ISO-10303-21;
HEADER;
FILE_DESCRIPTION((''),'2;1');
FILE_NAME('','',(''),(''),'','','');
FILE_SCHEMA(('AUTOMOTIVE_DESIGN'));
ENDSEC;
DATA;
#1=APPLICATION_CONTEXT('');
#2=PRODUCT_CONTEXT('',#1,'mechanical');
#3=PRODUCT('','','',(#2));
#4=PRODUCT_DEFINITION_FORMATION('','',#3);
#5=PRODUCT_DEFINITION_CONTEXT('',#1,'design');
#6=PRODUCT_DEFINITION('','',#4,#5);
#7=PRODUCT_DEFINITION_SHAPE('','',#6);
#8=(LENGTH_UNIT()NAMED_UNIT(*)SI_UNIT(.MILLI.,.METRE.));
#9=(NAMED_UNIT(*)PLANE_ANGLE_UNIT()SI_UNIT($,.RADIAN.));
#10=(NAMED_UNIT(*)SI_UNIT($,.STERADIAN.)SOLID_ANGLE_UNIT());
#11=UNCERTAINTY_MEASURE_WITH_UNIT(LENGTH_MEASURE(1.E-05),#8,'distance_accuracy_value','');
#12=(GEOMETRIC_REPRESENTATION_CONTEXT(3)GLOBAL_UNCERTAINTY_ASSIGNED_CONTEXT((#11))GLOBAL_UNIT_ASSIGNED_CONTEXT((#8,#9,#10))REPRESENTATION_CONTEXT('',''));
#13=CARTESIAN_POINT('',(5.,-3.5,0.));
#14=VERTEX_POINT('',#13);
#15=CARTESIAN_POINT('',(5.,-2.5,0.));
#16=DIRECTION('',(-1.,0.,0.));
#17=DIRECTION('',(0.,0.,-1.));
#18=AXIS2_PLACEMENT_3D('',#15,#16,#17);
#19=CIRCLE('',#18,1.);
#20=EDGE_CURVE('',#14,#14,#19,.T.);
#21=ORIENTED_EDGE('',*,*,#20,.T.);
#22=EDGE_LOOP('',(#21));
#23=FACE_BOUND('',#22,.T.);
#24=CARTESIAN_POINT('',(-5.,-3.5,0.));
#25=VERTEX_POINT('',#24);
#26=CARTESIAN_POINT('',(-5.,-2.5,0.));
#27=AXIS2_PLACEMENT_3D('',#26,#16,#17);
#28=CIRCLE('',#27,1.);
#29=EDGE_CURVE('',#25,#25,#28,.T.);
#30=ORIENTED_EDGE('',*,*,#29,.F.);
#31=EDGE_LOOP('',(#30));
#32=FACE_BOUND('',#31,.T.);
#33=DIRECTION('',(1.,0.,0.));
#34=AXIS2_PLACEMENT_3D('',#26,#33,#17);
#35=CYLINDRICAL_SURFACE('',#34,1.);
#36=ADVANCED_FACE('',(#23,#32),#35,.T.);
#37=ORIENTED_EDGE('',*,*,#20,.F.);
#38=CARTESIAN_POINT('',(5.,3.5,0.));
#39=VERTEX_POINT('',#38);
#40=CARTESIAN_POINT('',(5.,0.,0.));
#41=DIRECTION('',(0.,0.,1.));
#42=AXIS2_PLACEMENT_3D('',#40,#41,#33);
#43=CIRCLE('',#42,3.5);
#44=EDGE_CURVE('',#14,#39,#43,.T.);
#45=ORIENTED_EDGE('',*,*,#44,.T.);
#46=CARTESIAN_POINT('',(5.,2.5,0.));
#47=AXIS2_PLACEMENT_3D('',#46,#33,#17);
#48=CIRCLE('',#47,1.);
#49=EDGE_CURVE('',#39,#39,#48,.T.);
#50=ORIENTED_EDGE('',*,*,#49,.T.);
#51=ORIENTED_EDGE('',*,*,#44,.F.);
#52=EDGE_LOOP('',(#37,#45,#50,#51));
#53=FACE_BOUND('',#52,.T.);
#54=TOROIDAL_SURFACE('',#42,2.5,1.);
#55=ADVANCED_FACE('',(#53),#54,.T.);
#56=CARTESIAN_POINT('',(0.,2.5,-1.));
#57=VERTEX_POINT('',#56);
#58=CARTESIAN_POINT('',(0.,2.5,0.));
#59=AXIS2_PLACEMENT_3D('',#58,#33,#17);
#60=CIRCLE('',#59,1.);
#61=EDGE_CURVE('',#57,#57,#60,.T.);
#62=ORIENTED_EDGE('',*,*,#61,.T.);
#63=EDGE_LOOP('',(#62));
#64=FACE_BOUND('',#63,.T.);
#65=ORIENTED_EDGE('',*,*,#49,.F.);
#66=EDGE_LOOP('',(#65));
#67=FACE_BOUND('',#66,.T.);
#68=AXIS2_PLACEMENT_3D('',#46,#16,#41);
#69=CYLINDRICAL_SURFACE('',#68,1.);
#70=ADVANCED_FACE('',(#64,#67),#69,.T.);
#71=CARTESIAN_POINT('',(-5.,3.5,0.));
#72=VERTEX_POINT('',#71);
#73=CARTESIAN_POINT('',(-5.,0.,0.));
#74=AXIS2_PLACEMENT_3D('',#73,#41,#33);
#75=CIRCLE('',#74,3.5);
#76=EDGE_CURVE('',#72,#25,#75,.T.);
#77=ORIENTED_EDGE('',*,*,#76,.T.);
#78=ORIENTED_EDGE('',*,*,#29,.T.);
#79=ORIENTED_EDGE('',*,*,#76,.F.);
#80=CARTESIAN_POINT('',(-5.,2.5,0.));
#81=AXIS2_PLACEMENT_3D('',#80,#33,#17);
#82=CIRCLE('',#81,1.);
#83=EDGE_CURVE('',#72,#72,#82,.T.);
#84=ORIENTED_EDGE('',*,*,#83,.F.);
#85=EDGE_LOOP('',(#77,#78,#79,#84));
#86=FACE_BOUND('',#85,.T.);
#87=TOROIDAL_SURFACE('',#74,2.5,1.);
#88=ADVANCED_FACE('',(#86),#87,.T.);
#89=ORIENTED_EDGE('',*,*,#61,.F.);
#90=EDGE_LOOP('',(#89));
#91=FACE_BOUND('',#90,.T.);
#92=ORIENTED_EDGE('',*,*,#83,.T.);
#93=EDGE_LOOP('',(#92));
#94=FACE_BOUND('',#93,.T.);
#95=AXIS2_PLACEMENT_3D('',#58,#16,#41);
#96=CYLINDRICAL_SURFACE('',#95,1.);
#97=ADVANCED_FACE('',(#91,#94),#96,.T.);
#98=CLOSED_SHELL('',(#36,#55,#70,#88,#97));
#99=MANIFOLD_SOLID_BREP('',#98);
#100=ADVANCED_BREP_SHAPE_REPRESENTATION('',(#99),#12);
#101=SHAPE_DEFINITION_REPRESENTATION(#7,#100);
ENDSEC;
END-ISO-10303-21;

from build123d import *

# Parameters (mm, degrees)
SKETCH3_R = 1


with BuildPart() as part:
    # Sweep1: sweep along a path in Sketch1
    with BuildLine(Plane.XY) as sweep1_path:
        Line((-5, 2.5), (5, 2.5))
        ThreePointArc((5, 2.5), (7.5, 0), (5, -2.5))
        Line((5, -2.5), (-5, -2.5))
        ThreePointArc((-5, -2.5), (-7.5, 0), (-5, 2.5))
    # Sketch3 → Sweep1 (sweep)
    with BuildSketch(Plane(origin=(0, 0, 0), x_dir=(0, 0, -1), z_dir=(1, 0, 0))):
        with Locations((0, 2.5)):
            Circle(SKETCH3_R)
    sweep(path=sweep1_path.line)


solid = part.part
